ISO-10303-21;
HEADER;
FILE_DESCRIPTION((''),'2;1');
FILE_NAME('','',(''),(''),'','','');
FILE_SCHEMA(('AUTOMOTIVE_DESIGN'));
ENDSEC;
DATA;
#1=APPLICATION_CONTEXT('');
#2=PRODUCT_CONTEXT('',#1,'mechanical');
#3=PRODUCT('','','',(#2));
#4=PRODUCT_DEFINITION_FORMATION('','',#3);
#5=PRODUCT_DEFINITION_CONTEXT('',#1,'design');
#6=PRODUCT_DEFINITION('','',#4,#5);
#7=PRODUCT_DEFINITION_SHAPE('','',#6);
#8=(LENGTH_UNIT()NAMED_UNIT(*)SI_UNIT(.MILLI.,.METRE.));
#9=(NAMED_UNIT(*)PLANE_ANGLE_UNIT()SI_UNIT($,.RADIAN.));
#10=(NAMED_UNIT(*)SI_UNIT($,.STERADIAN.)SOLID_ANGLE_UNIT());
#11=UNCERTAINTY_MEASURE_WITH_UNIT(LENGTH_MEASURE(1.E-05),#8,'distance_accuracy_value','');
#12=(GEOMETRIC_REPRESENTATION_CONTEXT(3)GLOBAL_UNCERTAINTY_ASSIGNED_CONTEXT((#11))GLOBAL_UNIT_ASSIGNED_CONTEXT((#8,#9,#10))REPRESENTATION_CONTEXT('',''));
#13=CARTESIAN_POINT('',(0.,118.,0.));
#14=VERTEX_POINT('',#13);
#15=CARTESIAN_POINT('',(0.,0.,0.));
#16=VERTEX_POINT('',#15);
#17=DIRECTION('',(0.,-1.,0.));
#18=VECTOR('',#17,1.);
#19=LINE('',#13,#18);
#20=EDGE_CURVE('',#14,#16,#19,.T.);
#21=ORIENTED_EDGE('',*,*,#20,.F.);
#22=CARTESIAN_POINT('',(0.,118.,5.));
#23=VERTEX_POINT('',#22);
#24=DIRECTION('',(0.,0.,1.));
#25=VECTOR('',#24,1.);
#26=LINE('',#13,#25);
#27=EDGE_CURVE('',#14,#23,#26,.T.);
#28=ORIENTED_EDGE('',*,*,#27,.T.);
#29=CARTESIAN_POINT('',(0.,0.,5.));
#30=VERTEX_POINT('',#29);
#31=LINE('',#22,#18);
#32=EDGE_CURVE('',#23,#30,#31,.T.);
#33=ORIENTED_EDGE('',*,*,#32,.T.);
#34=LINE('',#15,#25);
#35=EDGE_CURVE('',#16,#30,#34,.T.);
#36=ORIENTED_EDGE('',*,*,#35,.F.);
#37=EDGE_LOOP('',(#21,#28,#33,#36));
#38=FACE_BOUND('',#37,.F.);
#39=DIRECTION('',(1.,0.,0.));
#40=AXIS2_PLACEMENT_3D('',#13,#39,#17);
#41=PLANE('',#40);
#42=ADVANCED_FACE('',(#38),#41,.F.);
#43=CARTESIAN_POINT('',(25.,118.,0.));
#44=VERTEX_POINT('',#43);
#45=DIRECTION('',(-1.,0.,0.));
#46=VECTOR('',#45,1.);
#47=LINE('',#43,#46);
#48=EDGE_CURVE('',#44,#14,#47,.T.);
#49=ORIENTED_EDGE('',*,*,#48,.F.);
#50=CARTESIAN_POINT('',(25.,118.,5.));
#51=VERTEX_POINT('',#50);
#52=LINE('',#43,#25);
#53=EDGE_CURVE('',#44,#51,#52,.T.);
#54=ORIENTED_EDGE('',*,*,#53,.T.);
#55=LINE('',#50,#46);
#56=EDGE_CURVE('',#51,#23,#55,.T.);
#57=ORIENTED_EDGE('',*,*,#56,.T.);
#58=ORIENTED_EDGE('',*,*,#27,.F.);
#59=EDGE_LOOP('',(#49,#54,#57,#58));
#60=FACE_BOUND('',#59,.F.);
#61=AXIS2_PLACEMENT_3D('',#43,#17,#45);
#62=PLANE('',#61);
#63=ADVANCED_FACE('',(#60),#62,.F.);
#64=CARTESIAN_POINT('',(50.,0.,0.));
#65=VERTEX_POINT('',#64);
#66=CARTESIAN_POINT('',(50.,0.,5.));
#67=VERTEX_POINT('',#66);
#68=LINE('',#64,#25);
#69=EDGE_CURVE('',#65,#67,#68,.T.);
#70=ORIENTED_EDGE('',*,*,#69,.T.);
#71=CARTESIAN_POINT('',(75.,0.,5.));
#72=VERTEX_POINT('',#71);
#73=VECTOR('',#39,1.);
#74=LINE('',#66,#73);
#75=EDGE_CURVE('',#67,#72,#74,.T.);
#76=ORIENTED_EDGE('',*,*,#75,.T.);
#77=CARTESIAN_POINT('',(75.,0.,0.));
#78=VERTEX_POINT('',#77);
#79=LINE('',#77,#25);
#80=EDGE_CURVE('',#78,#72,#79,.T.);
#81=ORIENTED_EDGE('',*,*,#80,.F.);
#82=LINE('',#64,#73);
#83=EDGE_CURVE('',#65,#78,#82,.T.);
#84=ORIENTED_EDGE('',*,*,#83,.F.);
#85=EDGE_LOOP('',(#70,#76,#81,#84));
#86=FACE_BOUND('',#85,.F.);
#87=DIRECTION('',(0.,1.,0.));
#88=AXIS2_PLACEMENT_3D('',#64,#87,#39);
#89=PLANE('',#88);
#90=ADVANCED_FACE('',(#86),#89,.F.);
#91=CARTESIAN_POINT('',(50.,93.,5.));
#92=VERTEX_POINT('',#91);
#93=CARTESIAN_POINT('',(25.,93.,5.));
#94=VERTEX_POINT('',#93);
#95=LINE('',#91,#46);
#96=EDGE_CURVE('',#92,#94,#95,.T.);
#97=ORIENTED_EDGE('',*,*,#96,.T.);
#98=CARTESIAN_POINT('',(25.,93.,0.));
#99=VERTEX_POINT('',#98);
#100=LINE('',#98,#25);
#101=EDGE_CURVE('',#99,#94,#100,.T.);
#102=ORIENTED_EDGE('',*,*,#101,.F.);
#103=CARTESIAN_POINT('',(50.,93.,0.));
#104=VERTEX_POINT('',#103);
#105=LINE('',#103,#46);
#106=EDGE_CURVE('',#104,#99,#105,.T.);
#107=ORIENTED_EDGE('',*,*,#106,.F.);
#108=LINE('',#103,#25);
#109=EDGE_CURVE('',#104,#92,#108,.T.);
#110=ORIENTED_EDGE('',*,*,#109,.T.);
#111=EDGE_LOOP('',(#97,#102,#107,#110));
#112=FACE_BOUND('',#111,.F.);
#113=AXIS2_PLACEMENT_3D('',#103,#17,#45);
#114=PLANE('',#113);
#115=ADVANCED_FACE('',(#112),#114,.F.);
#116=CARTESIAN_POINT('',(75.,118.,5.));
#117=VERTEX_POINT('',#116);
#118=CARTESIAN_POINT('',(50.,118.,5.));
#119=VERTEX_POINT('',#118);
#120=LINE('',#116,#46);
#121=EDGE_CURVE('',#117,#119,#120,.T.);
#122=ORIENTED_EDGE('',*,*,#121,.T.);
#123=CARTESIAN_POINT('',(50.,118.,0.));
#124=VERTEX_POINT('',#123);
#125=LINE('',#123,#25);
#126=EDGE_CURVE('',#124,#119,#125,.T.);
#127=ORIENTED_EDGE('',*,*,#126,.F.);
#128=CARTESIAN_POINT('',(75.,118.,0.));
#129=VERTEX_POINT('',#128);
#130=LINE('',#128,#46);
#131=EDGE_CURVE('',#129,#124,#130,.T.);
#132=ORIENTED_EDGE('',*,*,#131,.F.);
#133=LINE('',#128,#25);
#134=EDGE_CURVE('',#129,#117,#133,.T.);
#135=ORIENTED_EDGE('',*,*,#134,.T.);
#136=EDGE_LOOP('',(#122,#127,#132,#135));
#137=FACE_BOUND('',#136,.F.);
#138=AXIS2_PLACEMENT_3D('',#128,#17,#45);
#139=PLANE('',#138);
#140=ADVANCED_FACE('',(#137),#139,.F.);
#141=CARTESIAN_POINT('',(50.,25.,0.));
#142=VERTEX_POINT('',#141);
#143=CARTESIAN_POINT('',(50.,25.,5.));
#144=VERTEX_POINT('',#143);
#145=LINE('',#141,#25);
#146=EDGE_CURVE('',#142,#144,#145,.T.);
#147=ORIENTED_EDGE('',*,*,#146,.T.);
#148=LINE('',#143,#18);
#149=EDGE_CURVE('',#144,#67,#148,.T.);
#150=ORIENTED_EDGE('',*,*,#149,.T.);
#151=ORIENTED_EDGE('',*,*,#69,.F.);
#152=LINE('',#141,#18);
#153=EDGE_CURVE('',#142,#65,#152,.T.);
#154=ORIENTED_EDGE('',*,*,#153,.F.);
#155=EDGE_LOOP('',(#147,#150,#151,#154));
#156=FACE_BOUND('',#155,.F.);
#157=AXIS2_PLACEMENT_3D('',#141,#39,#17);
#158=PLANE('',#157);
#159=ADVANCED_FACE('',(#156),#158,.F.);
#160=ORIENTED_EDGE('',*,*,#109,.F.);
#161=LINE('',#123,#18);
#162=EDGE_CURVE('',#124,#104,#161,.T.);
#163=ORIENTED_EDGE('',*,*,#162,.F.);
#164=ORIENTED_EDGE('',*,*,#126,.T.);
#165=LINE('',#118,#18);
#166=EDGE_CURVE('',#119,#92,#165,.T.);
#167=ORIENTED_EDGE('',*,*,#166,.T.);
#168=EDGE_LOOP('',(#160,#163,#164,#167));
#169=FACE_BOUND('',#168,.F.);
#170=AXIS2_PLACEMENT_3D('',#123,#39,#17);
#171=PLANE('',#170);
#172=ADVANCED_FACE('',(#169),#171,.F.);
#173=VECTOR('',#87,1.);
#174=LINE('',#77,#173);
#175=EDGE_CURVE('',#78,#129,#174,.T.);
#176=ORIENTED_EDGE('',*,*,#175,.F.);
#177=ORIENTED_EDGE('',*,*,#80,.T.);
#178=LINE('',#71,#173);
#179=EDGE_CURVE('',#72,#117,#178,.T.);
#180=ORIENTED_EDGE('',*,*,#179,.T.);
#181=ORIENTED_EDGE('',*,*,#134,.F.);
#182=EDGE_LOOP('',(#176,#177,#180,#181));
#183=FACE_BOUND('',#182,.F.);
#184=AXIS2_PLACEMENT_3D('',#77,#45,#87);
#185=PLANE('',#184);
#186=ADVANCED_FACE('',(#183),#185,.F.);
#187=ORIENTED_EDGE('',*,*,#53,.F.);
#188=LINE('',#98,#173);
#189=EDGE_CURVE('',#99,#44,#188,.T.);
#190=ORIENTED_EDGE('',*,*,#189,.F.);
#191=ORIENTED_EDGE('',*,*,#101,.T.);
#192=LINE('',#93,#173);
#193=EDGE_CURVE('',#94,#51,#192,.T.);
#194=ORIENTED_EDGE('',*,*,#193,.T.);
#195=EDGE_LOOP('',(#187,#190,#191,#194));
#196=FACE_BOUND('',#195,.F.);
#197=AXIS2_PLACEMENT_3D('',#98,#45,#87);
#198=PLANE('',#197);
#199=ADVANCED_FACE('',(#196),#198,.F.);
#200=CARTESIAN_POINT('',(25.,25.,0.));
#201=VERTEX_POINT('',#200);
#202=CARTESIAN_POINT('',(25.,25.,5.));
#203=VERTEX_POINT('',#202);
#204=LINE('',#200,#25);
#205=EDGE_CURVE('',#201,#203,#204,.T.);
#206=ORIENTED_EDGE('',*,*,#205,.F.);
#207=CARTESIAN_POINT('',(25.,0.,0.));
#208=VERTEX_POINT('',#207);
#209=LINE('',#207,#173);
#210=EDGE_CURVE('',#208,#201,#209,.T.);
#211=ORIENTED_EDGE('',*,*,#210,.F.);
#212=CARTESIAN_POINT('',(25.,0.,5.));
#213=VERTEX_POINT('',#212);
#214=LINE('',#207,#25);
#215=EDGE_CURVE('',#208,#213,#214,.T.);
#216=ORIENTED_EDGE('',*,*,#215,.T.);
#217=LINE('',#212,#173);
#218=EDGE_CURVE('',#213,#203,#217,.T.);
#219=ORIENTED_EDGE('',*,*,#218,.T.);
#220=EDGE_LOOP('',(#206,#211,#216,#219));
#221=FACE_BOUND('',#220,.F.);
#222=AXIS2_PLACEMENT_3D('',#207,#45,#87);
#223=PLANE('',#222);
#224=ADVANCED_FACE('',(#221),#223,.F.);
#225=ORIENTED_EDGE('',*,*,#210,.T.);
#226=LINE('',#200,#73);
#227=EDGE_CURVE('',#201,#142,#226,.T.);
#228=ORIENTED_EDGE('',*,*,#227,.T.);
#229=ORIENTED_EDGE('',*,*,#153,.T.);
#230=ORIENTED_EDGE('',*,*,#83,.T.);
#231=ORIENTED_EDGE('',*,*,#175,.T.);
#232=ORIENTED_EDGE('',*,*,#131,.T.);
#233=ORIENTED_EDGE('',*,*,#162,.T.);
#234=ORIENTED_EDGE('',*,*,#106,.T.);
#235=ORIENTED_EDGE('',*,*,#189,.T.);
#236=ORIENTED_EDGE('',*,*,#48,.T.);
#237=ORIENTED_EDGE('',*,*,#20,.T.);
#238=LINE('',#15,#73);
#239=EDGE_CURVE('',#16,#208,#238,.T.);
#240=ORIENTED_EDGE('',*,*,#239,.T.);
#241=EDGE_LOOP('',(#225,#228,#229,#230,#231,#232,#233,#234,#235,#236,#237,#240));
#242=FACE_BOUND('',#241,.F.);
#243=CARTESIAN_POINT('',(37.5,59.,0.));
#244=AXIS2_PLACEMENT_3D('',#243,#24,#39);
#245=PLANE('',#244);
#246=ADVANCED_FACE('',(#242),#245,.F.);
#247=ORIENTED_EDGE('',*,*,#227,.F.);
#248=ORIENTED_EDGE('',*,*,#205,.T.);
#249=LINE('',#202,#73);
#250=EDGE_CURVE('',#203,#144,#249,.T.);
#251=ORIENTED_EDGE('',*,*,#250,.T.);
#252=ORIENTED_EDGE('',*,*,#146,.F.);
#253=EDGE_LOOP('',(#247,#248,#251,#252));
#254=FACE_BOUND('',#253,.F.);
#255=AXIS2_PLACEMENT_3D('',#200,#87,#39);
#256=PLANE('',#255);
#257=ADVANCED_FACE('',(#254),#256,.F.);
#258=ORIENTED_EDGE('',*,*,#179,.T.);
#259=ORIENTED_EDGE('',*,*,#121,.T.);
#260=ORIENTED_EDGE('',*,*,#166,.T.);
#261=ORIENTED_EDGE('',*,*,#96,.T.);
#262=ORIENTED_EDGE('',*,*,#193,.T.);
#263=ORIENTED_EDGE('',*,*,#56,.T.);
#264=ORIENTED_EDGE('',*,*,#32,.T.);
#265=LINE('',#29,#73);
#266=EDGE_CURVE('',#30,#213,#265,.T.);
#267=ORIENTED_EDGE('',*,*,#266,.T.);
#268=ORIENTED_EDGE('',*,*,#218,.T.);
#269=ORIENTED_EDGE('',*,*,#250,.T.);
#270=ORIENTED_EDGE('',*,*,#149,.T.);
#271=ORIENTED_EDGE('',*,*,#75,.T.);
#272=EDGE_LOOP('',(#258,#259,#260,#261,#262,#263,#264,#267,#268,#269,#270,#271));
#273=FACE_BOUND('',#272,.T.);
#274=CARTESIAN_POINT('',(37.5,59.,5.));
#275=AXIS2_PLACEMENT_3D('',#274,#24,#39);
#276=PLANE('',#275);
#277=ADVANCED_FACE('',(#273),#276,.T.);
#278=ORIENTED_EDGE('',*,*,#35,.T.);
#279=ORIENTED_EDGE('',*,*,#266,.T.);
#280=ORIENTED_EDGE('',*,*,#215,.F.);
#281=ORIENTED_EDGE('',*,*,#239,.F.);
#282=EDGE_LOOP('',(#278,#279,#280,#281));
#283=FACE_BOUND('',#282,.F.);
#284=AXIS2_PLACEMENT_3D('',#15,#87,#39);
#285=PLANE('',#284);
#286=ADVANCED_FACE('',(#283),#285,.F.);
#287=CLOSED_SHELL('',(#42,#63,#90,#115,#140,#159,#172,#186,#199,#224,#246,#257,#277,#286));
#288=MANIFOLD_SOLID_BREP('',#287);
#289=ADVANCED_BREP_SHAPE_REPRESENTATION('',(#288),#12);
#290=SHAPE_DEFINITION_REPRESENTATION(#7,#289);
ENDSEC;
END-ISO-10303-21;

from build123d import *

# Parameters (mm, degrees)
PAD_DEPTH = 5


with BuildPart() as part:
    # Sketch → Pad (new body)
    with BuildSketch(Plane.XY):
        Polygon((0, 0), (25, 0), (25, 25), (50, 25), (50, 0), (75, 0), (75, 118), (50, 118), (50, 93), (25, 93), (25, 118), (0, 118), align=None)
    extrude(amount=PAD_DEPTH)


solid = part.part
